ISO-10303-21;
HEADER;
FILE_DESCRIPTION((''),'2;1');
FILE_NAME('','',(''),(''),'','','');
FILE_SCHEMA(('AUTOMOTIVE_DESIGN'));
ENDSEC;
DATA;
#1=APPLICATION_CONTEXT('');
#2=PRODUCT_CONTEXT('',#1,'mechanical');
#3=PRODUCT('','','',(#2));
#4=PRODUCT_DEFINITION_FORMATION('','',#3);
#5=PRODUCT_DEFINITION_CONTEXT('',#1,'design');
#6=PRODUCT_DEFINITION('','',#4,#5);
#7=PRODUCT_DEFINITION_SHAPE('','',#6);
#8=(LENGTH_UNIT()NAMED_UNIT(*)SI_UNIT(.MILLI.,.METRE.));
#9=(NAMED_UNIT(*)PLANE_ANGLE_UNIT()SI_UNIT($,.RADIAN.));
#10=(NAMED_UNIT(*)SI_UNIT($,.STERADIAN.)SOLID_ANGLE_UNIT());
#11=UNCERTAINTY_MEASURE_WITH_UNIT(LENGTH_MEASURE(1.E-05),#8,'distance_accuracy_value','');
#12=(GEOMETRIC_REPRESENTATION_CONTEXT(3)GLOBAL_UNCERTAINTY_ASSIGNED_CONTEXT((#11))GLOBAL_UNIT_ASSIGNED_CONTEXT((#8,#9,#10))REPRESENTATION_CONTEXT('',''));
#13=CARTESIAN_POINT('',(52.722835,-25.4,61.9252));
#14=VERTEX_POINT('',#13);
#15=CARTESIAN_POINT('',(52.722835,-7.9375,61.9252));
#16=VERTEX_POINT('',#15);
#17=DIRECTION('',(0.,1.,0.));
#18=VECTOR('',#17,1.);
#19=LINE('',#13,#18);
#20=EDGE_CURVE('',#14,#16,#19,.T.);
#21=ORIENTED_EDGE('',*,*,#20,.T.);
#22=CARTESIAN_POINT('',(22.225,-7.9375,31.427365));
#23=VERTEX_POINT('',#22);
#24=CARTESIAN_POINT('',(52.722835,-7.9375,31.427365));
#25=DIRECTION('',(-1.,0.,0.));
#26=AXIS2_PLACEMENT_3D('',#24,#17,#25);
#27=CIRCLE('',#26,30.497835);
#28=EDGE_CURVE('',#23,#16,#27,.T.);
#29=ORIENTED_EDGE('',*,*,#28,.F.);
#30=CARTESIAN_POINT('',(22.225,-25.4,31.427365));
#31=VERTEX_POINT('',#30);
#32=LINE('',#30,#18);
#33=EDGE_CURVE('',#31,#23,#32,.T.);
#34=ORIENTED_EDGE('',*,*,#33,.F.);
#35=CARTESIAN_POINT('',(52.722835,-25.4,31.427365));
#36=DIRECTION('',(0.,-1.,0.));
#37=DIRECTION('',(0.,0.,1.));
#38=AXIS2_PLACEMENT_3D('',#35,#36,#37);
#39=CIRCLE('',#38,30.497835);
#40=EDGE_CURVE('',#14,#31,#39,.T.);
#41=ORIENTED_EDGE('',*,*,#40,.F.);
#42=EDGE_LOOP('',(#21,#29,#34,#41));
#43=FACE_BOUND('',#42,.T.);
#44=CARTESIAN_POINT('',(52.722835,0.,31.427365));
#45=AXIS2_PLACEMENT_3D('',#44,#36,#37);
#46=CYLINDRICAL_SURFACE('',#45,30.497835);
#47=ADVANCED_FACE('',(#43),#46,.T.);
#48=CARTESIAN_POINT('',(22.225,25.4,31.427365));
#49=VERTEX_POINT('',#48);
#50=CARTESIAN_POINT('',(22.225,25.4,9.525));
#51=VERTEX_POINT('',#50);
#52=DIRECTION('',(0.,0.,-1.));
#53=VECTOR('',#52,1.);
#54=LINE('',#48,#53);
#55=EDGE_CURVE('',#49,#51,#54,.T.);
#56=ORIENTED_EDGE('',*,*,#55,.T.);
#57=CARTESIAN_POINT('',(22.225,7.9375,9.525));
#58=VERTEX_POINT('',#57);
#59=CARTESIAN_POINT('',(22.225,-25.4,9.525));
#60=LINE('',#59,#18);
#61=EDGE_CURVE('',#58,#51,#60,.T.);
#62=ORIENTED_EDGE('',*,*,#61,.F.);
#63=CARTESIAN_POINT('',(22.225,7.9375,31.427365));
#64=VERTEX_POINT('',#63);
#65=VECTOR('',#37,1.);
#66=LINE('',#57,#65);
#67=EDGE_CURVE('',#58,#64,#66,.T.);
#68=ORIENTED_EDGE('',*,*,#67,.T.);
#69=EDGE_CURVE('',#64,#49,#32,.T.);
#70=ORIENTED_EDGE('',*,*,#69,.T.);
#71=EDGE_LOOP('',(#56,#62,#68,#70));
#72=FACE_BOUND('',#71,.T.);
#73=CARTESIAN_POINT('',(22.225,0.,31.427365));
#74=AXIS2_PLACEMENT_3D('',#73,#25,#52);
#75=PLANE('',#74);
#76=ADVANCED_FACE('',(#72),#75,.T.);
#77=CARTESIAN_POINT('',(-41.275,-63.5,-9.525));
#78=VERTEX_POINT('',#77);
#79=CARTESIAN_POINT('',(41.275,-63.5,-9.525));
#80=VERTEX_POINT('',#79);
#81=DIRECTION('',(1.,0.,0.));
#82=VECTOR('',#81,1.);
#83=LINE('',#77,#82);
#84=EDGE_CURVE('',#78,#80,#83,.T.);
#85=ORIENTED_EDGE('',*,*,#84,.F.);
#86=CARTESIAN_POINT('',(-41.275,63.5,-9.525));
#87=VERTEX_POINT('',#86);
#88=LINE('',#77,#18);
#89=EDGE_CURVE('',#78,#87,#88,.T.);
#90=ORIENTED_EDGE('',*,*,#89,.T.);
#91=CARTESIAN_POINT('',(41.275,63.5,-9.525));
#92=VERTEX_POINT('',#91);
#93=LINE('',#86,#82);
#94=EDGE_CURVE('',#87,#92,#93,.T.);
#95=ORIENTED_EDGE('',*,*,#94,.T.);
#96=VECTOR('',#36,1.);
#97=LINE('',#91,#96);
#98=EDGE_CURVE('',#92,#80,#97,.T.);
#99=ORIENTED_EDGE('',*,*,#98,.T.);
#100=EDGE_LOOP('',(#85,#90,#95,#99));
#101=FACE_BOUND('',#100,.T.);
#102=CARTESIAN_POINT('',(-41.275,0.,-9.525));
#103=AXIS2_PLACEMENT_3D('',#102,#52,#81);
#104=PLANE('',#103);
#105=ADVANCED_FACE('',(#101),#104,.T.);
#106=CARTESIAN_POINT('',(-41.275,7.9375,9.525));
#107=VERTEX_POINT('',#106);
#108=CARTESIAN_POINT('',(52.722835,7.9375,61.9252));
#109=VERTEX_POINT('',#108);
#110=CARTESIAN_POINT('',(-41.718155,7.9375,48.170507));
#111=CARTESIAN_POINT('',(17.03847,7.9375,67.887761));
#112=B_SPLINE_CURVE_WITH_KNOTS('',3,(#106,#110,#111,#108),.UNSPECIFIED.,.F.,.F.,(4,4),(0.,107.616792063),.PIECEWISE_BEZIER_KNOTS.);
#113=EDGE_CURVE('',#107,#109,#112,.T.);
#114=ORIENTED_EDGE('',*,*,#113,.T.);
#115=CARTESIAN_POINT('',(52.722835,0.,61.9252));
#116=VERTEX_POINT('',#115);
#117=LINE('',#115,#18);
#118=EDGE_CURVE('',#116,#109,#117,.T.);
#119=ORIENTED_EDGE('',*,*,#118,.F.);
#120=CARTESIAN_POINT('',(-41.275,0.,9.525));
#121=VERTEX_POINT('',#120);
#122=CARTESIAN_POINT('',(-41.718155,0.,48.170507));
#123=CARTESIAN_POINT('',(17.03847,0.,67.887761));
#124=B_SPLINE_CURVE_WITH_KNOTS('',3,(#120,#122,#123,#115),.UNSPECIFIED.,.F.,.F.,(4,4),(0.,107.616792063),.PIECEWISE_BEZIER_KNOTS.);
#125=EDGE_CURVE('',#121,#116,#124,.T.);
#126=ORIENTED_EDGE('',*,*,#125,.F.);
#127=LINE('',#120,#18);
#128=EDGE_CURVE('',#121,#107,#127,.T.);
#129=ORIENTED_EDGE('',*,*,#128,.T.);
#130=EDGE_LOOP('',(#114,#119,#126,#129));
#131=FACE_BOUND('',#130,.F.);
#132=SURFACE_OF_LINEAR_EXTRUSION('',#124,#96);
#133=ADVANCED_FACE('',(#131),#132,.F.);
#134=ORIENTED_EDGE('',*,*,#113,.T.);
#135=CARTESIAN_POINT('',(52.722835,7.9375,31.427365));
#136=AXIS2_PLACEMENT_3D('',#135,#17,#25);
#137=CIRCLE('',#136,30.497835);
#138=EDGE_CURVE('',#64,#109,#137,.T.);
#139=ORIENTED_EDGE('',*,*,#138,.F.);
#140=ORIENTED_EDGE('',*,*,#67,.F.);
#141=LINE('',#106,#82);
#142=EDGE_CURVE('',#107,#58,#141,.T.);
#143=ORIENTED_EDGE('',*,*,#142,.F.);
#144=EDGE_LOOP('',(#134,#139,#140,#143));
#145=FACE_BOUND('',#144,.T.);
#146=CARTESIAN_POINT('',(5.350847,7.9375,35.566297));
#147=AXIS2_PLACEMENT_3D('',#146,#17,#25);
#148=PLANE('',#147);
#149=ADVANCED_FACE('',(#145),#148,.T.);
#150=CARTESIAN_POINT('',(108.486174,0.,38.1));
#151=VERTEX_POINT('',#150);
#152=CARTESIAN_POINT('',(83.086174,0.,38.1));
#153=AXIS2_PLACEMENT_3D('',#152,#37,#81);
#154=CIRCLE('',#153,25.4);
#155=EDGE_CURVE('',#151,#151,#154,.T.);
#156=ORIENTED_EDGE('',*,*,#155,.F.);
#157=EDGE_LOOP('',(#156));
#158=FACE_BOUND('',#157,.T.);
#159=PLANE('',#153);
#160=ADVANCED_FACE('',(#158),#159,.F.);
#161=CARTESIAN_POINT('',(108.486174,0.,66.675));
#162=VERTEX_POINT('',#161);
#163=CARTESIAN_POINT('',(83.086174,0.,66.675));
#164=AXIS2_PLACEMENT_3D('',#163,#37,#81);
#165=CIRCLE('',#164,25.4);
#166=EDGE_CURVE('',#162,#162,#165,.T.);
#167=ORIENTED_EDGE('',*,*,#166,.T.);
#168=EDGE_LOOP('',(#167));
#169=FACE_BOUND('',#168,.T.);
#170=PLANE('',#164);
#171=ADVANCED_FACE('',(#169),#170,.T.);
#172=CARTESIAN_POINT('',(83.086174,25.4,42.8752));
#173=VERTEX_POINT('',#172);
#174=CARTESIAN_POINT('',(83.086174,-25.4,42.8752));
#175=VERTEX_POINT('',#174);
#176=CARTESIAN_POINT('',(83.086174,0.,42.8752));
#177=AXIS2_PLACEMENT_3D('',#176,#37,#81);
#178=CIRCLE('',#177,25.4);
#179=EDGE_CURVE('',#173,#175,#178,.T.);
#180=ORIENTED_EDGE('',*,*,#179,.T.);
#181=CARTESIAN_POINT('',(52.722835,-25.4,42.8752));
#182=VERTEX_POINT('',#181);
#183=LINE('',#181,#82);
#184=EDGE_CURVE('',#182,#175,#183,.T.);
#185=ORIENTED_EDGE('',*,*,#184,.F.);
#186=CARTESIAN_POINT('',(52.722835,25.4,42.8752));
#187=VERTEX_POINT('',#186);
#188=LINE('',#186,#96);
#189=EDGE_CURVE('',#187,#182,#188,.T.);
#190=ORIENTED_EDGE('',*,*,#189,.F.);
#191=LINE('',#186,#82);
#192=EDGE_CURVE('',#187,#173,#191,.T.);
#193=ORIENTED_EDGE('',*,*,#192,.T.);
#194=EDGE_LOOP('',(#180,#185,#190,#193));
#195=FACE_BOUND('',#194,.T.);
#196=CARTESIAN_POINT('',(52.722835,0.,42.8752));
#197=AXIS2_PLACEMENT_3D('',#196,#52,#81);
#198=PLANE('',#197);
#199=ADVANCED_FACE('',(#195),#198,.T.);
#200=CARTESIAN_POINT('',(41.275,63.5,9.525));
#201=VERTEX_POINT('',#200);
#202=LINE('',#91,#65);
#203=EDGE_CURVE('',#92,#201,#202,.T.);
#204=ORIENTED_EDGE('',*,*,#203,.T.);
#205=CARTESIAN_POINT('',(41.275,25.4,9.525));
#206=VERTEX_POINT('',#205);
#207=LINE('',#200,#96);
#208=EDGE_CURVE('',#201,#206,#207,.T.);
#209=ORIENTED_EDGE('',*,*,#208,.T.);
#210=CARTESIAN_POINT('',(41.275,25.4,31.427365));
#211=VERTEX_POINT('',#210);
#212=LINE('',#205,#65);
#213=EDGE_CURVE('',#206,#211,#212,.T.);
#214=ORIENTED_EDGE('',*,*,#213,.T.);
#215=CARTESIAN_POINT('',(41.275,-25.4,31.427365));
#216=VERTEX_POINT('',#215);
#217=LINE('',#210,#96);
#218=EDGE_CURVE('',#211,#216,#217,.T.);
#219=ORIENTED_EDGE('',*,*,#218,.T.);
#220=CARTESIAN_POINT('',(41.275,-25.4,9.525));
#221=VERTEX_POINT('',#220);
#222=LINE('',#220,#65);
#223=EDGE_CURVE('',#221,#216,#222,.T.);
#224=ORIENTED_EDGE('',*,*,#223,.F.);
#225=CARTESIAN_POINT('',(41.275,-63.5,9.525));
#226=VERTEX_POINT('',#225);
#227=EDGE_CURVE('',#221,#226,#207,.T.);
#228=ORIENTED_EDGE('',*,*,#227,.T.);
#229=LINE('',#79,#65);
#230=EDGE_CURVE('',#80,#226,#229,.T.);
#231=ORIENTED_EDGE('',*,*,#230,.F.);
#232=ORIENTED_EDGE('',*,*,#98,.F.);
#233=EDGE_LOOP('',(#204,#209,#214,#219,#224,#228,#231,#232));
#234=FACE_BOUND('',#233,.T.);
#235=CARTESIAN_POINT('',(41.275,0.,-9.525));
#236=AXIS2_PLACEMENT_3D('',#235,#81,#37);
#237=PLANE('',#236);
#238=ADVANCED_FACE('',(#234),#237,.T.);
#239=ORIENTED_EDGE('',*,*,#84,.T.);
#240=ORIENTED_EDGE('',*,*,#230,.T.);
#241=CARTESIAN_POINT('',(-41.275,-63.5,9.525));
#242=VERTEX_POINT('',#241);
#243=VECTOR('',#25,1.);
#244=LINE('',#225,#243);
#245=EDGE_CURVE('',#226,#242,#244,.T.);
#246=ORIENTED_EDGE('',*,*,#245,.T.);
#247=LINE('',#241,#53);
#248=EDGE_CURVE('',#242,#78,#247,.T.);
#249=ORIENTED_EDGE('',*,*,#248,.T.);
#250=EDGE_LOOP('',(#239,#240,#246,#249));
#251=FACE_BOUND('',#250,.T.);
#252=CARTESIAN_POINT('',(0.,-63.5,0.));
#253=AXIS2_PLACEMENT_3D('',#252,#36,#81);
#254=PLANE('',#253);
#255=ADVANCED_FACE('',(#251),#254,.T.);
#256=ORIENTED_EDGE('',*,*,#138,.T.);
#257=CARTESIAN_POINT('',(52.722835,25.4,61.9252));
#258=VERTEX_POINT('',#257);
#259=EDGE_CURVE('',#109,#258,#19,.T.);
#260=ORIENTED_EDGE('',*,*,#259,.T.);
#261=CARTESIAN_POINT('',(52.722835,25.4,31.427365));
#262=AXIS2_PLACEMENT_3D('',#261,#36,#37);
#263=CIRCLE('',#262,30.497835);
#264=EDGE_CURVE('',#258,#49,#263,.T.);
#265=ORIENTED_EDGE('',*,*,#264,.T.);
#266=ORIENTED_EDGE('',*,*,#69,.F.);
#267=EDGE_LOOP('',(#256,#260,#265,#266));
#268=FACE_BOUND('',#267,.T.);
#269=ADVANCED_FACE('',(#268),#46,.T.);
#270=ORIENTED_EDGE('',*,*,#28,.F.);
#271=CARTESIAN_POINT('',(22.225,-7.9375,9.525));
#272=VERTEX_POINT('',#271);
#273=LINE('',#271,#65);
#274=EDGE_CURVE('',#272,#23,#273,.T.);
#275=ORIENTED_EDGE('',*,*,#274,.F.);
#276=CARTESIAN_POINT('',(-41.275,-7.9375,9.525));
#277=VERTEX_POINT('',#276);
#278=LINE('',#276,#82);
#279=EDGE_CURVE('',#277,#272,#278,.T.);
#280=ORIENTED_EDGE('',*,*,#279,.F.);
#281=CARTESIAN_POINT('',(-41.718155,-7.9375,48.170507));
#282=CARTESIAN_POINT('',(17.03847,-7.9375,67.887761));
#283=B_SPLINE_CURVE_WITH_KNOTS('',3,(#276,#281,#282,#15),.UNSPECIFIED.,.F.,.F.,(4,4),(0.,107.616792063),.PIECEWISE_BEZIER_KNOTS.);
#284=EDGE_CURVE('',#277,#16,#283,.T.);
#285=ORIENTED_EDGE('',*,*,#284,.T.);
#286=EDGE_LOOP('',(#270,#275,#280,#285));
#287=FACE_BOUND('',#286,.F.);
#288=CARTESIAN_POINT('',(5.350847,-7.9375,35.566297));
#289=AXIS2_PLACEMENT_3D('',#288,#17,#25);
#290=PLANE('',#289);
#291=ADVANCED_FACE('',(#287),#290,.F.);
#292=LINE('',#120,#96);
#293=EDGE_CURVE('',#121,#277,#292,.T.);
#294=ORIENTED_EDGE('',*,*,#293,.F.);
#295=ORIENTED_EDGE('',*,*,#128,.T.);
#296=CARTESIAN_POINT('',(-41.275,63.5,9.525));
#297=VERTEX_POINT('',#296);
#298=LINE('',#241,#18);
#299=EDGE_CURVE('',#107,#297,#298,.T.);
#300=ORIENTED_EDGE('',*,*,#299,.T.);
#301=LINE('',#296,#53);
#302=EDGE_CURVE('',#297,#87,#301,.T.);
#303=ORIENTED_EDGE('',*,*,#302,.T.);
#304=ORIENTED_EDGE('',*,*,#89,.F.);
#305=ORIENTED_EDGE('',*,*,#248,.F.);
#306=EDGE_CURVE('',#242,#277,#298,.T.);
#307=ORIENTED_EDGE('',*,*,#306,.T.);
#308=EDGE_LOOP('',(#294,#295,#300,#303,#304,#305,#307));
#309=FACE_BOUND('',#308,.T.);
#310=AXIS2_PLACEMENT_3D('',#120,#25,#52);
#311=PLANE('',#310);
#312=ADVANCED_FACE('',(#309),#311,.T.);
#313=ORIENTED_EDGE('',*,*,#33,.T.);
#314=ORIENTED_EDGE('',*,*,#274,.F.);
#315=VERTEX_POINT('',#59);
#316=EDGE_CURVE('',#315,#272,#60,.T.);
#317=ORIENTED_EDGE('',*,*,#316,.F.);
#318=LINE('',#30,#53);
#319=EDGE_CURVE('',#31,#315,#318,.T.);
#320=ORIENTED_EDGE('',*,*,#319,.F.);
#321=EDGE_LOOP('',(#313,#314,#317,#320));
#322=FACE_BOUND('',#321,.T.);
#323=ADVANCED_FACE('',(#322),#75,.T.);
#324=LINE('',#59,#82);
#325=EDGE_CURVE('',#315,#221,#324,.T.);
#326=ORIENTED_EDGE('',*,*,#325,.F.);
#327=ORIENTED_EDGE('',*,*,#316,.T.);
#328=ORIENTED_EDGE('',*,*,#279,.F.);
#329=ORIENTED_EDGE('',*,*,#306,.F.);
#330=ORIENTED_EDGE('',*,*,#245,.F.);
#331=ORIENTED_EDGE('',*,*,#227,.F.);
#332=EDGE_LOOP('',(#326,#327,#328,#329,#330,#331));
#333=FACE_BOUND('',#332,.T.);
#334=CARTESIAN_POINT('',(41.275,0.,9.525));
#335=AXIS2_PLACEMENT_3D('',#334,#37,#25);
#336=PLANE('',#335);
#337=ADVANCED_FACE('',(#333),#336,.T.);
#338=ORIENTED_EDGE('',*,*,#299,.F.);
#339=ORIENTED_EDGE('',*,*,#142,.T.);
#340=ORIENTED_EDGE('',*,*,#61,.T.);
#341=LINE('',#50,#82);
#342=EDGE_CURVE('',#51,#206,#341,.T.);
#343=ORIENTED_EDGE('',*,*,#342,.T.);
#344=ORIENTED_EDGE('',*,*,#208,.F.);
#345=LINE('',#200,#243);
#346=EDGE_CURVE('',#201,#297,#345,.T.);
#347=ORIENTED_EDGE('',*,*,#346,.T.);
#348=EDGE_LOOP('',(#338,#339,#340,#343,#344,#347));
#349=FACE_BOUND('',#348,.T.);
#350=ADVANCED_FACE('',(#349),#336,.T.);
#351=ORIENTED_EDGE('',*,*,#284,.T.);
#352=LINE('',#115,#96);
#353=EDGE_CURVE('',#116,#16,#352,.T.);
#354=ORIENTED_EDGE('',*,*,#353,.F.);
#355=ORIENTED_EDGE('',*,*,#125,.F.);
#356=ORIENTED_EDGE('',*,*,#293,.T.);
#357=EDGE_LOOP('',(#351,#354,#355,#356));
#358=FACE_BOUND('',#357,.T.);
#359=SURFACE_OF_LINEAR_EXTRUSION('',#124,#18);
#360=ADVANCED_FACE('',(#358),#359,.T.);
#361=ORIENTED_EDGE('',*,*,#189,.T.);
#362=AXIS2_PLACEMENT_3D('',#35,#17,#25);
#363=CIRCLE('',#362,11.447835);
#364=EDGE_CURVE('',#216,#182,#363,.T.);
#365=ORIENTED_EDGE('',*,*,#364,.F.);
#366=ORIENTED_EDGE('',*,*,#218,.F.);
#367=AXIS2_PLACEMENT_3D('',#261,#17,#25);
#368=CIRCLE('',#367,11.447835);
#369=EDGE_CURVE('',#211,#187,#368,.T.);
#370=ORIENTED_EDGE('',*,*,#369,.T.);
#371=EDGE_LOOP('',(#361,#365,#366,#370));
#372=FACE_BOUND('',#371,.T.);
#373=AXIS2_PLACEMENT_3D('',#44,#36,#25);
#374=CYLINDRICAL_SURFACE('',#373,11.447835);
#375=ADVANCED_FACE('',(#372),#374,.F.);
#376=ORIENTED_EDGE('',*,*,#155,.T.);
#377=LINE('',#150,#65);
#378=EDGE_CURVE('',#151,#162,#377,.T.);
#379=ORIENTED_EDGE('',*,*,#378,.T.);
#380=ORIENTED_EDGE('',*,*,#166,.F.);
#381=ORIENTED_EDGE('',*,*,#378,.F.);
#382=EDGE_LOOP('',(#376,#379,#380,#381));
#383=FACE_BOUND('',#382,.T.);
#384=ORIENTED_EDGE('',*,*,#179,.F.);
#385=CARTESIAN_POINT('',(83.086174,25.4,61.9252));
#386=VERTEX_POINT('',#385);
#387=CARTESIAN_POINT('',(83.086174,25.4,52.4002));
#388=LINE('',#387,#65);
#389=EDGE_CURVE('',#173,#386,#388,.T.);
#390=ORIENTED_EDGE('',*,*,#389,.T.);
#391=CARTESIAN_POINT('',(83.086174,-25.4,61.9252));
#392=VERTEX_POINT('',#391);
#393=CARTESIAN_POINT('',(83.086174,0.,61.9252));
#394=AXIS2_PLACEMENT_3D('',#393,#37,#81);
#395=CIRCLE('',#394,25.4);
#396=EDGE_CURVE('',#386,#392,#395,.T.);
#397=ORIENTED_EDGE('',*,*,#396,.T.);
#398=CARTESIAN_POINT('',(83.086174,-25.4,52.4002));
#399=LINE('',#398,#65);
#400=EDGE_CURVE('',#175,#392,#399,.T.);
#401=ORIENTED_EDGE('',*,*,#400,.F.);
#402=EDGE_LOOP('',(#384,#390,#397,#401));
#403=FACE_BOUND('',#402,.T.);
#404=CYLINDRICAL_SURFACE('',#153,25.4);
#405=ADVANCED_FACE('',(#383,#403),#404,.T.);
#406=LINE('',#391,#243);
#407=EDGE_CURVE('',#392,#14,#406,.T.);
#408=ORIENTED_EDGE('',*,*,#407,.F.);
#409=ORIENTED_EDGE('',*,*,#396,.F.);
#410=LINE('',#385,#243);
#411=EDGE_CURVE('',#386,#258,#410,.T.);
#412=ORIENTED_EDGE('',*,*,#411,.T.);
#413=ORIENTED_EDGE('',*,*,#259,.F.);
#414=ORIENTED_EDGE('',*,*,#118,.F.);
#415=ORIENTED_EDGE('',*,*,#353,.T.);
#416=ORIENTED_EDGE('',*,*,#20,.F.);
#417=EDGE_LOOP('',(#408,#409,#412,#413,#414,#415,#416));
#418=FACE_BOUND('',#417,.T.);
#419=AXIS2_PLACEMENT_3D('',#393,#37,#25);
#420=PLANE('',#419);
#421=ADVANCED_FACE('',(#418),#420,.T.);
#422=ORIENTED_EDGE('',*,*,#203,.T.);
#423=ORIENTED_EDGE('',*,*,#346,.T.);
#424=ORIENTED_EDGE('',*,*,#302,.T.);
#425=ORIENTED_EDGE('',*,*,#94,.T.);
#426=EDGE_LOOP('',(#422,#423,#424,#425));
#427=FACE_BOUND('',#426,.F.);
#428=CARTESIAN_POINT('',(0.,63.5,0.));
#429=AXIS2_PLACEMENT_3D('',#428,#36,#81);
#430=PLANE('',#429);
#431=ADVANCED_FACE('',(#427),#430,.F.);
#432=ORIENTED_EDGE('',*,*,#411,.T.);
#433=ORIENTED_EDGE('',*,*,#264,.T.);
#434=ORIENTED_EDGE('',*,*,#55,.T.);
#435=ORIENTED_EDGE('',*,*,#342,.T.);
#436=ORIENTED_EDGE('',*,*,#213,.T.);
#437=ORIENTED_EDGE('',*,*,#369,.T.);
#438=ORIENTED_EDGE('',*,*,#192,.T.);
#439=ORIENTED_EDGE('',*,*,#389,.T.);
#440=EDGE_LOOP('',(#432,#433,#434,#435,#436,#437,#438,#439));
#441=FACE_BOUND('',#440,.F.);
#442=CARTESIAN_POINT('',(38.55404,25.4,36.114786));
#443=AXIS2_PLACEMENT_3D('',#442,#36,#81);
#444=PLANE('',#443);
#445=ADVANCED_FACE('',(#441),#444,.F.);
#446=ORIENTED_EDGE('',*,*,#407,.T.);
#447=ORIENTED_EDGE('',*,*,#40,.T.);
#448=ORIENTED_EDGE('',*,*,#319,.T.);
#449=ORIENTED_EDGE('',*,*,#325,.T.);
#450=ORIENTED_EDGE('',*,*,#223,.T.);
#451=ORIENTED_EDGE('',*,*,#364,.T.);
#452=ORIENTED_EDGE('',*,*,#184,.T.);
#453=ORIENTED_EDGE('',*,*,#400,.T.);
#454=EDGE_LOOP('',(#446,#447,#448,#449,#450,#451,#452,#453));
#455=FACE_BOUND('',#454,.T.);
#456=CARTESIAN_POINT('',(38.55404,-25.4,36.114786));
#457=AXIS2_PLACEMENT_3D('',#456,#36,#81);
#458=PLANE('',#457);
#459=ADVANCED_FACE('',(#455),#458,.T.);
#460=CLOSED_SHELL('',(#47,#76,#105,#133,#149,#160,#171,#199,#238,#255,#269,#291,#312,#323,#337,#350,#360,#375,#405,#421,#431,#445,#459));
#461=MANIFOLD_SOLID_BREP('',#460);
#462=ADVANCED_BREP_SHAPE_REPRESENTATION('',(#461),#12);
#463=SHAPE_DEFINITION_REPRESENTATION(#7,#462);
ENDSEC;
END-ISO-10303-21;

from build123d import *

# Parameters (mm, degrees)
F1_DEPTH = 63.5
F0_W     = 25.4
F0_H     = 19.05
F2_DEPTH = 25.4
F3_DEPTH = 7.9375


with BuildPart() as f1:
    # F0 (on Front) → F1 (new body, symmetric)
    with BuildSketch(Plane.XZ):
        Polygon((-41.275, -9.525), (41.275, -9.525), (41.275, 9.525), (22.225, 9.525), (-41.275, 9.525), align=None)
    extrude(amount=F1_DEPTH, both=True)

    # F0 (on Front) → F2 (join, symmetric)
    with BuildSketch(Plane.XZ):
        with BuildLine():
            Line((22.225, 9.525), (41.275, 9.525))
            Line((41.275, 9.525), (41.275, 31.427365057))
            ThreePointArc((41.275, 31.427365057), (44.6279932249, 39.5222067751), (52.722834943, 42.8752))
            Line((52.722834943, 42.8752), (57.6861744831, 42.8752))
            Line((57.6861744831, 42.8752), (57.6861744831, 61.9252))
            Line((57.6861744831, 61.9252), (52.722834943, 61.9252))
            ThreePointArc((52.722834943, 61.9252), (31.1576090433, 52.9925909567), (22.225, 31.427365057))
            Line((22.225, 31.427365057), (22.225, 9.525))
        make_face()
        with Locations((70.3861744831, 52.4002)):
            Rectangle(F0_W, F0_H)
    extrude(amount=F2_DEPTH, both=True)

    # F0 (on Front) → F3 (join, symmetric)
    with BuildSketch(Plane.XZ):
        with BuildLine():
            add(Edge.make_bspline(
                [(-41.275, 9.525), (-41.7181551456, 48.1705069542), (17.0384701341, 67.8877606988), (52.722834943, 61.9252)],
                knots=[0, 0, 0, 0, 107.6167920634, 107.6167920634, 107.6167920634, 107.6167920634], degree=3))
            Line((-41.275, 9.525), (22.225, 9.525))
            Line((22.225, 9.525), (22.225, 31.427365057))
            ThreePointArc((22.225, 31.427365057), (31.1576090433, 52.9925909567), (52.722834943, 61.9252))
        make_face()
    extrude(amount=F3_DEPTH, both=True)

    # F0 (on Front) → F4 (revolve)
    with BuildSketch(Plane.XZ):
        Polygon((83.0861744831, 66.675), (83.0861744831, 61.9252), (83.0861744831, 42.8752), (83.0861744831, 38.1), (108.4861744831, 38.1), (108.4861744831, 66.675), align=None)
    revolve(axis=Axis((83.0861744831, 0, 50.0126), (0, 0, 1)))


solid = f1.part
